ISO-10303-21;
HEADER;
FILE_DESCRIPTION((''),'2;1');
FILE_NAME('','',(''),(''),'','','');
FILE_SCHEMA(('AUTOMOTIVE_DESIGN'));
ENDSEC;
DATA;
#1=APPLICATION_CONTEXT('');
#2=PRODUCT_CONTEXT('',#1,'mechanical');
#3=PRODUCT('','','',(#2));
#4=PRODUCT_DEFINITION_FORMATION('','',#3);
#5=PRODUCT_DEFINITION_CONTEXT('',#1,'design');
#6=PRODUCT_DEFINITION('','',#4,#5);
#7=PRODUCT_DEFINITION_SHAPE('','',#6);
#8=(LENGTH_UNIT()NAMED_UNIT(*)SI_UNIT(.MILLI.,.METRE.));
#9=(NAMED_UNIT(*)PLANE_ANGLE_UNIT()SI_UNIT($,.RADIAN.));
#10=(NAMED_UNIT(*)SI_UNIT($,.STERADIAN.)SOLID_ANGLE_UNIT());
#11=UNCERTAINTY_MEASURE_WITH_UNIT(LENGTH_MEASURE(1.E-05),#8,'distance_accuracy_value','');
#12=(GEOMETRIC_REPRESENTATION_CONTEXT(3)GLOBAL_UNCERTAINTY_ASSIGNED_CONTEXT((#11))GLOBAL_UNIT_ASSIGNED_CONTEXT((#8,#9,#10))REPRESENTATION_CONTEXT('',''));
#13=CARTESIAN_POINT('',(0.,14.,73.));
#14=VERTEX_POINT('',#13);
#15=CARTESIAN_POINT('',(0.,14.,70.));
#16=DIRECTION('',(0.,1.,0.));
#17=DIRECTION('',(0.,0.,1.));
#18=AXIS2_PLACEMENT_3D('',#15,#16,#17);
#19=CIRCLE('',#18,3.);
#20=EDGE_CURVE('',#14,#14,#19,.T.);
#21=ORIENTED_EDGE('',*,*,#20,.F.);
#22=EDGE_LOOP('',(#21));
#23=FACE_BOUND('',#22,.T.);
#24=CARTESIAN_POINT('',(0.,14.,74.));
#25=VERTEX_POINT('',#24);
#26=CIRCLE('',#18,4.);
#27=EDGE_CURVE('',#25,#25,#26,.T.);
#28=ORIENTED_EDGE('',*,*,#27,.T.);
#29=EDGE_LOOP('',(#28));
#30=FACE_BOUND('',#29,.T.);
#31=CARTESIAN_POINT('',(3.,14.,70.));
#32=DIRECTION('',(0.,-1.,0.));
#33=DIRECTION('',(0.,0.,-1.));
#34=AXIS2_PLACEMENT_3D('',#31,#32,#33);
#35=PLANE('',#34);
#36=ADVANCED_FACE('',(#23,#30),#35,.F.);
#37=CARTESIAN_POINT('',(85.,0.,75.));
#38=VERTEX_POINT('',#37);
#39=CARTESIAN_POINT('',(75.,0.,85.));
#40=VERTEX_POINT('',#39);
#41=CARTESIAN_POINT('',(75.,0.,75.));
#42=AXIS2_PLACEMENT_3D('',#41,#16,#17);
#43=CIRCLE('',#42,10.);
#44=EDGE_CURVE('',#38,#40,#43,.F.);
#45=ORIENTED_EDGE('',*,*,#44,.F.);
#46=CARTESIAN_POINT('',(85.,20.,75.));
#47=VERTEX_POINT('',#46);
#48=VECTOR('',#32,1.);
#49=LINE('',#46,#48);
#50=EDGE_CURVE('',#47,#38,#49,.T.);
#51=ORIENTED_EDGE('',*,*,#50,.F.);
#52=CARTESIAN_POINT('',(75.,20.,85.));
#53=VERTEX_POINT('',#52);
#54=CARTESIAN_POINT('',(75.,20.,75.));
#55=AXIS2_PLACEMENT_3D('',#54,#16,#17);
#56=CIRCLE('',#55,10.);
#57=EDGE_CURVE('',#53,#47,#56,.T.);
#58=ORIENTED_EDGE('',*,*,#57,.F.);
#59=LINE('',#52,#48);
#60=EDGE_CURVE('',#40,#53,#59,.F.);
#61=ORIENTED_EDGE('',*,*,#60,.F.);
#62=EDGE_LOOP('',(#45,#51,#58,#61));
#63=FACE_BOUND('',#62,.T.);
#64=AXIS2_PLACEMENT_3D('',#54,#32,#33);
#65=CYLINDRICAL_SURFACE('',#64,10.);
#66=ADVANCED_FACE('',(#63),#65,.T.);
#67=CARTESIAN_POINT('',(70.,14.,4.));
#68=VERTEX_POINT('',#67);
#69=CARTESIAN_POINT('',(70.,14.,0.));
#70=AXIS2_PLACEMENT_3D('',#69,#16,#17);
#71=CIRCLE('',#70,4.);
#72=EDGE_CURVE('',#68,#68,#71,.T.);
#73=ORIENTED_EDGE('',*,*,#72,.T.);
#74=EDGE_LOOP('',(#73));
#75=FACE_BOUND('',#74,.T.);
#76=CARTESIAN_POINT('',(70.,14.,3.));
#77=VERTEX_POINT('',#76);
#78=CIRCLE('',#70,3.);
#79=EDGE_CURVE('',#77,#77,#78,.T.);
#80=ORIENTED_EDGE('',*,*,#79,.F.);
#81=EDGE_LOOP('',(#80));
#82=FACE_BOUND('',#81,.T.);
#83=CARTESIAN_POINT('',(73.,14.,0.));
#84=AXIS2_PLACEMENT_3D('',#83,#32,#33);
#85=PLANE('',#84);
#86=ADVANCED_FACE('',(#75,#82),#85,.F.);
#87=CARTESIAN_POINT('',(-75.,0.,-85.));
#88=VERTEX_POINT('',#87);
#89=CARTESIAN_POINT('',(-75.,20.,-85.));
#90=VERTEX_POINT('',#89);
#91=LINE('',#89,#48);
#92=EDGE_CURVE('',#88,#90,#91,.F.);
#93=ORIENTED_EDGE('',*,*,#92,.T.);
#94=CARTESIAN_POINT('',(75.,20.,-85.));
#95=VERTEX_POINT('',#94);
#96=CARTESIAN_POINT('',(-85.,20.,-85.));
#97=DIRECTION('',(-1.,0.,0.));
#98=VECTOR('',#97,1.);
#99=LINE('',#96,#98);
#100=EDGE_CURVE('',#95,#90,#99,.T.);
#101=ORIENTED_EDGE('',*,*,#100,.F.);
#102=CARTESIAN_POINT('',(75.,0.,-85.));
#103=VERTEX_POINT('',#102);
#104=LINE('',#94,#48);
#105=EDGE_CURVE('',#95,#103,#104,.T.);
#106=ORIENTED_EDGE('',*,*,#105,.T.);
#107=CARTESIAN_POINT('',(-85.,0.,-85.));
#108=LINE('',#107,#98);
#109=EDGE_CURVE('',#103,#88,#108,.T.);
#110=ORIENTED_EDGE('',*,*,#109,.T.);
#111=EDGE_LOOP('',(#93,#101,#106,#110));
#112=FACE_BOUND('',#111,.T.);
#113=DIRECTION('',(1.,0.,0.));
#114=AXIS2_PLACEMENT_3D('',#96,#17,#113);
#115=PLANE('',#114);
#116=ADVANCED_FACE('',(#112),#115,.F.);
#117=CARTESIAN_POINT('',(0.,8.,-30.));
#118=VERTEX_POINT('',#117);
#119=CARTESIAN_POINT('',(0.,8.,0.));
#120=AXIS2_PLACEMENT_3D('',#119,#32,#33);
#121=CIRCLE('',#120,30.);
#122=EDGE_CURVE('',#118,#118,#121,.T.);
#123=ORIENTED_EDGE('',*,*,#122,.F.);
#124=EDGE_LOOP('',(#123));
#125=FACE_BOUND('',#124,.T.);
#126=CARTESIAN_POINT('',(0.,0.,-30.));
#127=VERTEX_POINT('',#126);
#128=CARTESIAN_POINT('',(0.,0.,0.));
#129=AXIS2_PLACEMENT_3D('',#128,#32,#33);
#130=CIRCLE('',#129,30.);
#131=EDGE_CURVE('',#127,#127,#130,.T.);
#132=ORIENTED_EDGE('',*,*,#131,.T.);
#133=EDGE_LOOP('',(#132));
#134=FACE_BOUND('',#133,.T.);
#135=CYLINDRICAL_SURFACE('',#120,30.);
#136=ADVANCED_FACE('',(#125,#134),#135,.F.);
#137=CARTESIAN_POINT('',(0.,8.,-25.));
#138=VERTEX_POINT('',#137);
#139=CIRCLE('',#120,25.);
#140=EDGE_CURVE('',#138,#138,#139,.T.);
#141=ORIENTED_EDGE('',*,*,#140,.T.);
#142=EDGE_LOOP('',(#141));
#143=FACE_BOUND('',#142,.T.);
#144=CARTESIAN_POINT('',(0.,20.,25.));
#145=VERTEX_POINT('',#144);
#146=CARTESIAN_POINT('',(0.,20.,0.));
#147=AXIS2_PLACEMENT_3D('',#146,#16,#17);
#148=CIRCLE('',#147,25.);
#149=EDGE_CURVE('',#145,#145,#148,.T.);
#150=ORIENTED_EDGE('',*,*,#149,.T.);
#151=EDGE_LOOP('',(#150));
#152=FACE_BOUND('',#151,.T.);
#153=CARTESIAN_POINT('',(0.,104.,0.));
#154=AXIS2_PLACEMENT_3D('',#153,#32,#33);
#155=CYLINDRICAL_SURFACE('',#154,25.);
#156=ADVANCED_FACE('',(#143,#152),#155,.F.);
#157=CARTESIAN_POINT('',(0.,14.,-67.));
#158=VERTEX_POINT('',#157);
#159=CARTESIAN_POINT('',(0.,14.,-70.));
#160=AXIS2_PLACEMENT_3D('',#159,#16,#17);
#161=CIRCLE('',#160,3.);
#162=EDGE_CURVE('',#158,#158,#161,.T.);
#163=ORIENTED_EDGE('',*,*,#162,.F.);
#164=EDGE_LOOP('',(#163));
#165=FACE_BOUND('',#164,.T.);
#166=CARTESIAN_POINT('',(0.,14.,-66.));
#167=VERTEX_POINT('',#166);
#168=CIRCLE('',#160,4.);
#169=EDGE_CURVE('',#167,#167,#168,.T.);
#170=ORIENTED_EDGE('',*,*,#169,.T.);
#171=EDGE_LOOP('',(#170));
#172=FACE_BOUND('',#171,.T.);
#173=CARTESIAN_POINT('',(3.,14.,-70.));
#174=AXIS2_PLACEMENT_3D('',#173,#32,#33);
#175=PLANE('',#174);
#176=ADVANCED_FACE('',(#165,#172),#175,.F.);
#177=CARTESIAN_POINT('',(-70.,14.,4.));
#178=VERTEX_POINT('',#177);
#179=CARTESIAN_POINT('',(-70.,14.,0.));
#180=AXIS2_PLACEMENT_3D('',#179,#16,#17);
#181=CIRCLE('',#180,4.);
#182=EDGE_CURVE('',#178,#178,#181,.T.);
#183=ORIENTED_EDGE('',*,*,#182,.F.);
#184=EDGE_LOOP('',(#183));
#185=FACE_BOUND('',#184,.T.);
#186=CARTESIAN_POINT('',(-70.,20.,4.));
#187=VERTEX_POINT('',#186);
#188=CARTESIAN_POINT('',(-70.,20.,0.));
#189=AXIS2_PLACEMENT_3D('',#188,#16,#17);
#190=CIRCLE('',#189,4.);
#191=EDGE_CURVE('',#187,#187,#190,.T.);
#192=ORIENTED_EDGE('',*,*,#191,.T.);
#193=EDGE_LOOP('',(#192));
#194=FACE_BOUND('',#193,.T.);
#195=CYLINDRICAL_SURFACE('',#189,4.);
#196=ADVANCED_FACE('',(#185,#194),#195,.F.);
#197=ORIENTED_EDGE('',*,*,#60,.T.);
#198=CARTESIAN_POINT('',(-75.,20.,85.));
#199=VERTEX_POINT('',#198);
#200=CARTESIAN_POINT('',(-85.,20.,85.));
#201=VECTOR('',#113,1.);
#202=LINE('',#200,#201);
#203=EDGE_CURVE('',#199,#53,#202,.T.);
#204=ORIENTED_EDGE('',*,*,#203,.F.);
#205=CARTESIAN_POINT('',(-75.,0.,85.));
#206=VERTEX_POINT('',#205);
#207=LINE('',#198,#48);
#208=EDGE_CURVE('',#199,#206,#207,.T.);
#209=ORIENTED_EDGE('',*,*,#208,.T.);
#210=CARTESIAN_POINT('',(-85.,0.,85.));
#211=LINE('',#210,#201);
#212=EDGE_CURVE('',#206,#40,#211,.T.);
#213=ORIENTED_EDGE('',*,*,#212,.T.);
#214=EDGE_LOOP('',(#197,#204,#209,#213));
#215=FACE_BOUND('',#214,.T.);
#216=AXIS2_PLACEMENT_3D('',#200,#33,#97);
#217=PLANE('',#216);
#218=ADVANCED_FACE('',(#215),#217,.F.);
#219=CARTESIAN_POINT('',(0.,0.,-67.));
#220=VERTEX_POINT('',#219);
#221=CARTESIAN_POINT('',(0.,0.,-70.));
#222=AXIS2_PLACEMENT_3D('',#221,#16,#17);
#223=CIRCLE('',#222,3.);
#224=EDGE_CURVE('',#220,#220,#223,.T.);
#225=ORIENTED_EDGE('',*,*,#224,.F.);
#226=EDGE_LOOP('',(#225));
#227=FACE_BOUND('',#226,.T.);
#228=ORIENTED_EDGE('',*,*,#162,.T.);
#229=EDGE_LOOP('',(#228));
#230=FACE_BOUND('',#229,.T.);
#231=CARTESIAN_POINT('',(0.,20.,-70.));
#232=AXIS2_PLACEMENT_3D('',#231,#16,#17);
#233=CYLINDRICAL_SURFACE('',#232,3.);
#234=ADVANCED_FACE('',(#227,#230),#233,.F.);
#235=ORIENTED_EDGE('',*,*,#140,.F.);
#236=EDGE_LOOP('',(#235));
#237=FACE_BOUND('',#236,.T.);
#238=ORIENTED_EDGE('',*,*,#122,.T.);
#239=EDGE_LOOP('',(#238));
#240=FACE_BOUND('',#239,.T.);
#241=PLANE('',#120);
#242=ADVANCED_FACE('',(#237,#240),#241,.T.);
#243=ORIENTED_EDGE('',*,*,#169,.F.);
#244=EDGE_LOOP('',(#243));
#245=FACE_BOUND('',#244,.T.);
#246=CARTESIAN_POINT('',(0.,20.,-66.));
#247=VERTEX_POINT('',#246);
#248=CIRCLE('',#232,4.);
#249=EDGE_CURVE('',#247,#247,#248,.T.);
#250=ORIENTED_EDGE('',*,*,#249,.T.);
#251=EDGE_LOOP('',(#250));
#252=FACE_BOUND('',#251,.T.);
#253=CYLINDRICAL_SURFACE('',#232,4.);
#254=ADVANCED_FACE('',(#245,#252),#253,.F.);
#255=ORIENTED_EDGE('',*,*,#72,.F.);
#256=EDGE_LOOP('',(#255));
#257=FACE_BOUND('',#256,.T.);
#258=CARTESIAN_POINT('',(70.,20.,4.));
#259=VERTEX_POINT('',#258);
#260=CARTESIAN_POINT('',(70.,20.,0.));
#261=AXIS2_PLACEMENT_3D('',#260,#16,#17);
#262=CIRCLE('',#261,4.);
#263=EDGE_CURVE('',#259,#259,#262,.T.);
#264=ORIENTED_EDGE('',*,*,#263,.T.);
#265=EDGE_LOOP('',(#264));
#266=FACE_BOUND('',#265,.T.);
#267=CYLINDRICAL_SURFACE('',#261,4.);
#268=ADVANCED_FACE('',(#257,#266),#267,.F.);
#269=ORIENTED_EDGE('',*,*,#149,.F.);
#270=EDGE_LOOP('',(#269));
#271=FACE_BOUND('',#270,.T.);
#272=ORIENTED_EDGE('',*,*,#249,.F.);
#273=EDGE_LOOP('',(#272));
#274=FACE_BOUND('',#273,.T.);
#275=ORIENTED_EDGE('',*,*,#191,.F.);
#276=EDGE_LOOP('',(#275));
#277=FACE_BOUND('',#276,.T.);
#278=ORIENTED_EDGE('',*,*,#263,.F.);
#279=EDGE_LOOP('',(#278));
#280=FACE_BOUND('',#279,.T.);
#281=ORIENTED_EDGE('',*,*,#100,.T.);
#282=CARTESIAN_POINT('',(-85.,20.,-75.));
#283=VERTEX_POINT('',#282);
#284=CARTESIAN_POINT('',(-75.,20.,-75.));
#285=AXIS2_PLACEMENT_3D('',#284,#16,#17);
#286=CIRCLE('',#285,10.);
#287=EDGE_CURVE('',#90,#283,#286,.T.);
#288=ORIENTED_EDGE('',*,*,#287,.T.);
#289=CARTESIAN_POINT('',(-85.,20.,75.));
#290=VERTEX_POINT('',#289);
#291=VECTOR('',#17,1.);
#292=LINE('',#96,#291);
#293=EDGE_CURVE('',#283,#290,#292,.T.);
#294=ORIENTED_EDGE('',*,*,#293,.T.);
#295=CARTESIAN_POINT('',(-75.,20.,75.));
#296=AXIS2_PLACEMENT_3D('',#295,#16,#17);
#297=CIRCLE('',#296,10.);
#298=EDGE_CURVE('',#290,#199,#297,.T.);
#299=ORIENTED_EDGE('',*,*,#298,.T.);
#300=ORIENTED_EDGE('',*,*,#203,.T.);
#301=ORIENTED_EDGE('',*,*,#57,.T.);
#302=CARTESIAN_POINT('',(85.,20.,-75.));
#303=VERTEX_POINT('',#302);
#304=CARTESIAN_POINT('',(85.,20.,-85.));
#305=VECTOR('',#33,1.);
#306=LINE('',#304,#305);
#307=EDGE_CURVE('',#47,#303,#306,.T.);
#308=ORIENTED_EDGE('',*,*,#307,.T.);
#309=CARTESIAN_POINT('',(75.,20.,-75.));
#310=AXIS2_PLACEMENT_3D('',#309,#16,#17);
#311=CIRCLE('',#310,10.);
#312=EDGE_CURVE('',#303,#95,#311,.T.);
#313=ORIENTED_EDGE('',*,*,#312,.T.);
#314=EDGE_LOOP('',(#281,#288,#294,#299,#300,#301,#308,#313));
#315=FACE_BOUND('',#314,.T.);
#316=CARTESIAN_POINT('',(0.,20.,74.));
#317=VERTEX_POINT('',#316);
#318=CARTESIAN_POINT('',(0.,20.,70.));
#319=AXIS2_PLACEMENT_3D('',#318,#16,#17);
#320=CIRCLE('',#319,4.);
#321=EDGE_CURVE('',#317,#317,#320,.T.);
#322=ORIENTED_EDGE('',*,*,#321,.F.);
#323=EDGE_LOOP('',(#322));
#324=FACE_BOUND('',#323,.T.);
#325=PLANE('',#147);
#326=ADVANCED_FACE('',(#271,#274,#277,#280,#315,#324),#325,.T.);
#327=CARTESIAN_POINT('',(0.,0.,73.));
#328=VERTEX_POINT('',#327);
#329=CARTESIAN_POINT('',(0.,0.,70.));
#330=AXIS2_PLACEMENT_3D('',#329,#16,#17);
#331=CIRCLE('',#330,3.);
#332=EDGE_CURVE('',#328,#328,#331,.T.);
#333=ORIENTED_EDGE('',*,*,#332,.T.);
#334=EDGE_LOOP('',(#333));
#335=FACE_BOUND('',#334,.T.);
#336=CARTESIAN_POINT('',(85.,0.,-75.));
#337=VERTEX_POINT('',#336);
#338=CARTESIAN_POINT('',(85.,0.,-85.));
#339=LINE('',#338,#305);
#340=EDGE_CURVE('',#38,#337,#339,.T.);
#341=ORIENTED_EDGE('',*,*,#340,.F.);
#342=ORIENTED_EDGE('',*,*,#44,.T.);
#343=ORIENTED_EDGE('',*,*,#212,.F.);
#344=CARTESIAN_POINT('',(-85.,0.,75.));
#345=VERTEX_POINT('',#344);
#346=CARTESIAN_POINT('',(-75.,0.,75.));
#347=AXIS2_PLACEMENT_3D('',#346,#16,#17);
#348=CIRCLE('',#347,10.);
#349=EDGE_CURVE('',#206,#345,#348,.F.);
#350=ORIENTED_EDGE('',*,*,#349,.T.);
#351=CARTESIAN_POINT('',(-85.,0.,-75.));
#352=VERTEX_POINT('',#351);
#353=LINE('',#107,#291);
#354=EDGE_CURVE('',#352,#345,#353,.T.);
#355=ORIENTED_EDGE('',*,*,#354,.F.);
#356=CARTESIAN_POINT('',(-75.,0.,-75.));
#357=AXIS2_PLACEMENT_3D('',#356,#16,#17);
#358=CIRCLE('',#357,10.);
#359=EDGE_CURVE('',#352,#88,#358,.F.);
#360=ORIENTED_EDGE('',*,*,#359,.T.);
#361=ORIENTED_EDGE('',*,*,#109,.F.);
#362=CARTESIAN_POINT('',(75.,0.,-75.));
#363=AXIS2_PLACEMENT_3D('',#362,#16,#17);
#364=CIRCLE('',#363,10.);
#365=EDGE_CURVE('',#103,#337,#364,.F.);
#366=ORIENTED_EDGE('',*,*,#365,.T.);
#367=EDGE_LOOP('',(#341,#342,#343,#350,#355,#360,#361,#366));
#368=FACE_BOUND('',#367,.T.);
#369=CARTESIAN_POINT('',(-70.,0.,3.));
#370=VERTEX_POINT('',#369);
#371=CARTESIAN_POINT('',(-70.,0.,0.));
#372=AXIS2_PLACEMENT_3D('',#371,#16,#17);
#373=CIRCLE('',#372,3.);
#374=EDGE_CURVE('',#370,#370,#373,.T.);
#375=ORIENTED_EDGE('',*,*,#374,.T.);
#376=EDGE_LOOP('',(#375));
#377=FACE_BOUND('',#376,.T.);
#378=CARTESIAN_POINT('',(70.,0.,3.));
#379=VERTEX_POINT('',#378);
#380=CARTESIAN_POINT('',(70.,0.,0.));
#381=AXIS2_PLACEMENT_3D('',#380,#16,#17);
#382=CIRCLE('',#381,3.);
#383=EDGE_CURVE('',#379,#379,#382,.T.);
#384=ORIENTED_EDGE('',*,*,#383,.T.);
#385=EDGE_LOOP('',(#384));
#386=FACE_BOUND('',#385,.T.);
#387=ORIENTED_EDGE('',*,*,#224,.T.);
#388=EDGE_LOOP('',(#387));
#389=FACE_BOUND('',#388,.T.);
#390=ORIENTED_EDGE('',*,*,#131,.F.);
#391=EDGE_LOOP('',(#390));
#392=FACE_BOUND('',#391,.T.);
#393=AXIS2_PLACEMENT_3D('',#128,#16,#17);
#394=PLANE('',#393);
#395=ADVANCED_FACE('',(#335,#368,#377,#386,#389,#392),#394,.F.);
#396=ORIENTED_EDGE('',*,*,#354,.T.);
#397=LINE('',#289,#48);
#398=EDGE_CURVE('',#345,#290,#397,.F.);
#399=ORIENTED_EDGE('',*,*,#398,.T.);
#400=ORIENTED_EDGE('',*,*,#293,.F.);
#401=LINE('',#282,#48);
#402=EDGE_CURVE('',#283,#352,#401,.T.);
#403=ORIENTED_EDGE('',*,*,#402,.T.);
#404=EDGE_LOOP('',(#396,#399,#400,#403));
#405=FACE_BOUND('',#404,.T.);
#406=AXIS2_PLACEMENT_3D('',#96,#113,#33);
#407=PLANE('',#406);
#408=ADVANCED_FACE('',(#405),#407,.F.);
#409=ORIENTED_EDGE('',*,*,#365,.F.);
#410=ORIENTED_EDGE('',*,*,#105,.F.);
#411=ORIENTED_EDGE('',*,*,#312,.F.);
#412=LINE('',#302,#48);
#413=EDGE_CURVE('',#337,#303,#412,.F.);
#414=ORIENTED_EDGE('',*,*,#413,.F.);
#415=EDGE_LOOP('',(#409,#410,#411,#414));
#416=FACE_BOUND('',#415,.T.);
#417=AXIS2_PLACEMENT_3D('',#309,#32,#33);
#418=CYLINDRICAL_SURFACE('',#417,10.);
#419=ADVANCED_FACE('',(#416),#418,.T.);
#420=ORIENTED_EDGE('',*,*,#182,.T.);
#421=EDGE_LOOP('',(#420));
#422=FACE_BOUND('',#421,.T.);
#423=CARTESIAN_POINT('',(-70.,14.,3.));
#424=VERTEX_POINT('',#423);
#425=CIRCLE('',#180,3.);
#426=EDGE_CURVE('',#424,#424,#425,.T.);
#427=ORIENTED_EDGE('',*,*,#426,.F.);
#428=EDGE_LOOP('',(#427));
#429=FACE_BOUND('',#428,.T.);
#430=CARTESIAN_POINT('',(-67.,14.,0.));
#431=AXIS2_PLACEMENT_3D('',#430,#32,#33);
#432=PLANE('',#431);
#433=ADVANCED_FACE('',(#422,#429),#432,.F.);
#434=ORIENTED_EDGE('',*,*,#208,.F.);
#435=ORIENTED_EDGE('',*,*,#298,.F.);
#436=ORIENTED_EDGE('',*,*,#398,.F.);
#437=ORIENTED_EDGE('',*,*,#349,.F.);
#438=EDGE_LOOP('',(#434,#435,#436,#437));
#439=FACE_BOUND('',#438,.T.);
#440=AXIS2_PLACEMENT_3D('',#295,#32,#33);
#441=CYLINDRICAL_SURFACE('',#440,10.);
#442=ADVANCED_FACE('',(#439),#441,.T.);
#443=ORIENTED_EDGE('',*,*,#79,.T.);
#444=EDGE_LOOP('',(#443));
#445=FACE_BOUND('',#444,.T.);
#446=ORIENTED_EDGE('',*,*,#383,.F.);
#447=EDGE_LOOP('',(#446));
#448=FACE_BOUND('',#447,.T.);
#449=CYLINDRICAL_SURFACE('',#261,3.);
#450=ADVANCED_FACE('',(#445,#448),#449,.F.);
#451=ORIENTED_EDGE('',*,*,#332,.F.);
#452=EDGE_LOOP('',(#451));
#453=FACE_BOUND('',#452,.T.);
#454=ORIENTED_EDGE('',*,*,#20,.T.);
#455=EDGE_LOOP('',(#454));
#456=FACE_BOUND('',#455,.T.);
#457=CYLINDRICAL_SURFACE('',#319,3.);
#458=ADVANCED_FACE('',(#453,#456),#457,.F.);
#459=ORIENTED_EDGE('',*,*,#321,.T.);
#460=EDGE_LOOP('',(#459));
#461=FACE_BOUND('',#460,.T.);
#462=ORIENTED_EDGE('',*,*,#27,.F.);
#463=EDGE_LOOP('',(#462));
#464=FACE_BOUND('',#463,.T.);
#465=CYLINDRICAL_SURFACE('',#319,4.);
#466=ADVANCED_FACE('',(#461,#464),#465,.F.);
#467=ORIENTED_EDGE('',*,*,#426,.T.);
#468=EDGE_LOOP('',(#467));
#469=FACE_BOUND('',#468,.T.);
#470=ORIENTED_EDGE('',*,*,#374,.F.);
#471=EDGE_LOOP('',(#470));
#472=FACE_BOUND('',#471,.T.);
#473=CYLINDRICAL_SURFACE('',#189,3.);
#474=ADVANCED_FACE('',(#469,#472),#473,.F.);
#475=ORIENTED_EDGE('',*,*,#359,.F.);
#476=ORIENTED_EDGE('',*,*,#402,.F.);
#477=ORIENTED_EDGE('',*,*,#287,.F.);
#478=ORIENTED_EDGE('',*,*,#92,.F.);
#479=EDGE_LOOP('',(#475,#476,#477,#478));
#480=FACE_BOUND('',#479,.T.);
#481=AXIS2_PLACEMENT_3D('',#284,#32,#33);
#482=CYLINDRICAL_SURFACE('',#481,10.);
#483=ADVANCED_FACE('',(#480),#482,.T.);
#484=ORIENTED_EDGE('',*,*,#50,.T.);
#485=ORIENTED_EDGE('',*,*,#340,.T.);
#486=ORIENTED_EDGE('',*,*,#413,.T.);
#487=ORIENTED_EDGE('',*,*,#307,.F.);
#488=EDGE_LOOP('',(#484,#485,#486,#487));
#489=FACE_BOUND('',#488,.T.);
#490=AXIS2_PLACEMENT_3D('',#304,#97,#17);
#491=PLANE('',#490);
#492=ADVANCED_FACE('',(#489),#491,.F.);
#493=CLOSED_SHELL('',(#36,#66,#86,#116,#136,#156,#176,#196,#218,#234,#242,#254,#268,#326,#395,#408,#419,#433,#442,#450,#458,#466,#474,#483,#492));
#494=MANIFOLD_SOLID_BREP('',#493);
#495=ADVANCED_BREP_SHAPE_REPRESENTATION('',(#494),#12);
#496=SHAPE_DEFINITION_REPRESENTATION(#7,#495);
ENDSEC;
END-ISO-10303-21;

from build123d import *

# Parameters (mm, degrees)
SKETCH2_W                               = 170
SKETCH2_H                               = 170
BOSS_EXTRUDE1_DEPTH                     = 20
FILLET1_R                               = 10
FILLET2_R                               = 10
FILLET3_R                               = 10
FILLET4_R                               = 10
SKETCH11_R                              = 30
CUT_EXTRUDE3_DEPTH                      = 8
SKETCH16_R                              = 25
CUT_EXTRUDE4_DEPTH                      = 96
CBORE_FOR_M5_HEX_HEAD_BOLT4_D           = 6
CBORE_FOR_M5_HEX_HEAD_BOLT4_CBORE_D     = 8
CBORE_FOR_M5_HEX_HEAD_BOLT4_CBORE_DEPTH = 6


with BuildPart() as part:
    # Sketch2 → Boss-Extrude1 (new body)
    with BuildSketch(Plane(origin=(0, 0, 0), x_dir=(1, 0, 0), z_dir=(0, 1, 0))):
        Rectangle(SKETCH2_W, SKETCH2_H)
    extrude(amount=BOSS_EXTRUDE1_DEPTH)

    # Fillet1
    fillet1_edges = [part.edges().sort_by_distance(p)[0] for p in [
        (85, 10, 85),
    ]]
    fillet(fillet1_edges, radius=FILLET1_R)

    # Fillet2
    fillet2_edges = [part.edges().sort_by_distance(p)[0] for p in [
        (85, 10, -85),
    ]]
    fillet(fillet2_edges, radius=FILLET2_R)

    # Fillet3
    fillet3_edges = [part.edges().sort_by_distance(p)[0] for p in [
        (-85, 10, -85),
    ]]
    fillet(fillet3_edges, radius=FILLET3_R)

    # Fillet4
    fillet4_edges = [part.edges().sort_by_distance(p)[0] for p in [
        (-85, 10, 85),
    ]]
    fillet(fillet4_edges, radius=FILLET4_R)

    # Sketch11 → Cut-Extrude3 (cut)
    with BuildSketch(Plane.XZ):
        Circle(SKETCH11_R)
    extrude(amount=-CUT_EXTRUDE3_DEPTH, mode=Mode.SUBTRACT)

    # Sketch16 → Cut-Extrude4 (cut)
    with BuildSketch(Plane.XZ.offset(-8)):
        Circle(SKETCH16_R)
    extrude(amount=-CUT_EXTRUDE4_DEPTH, mode=Mode.SUBTRACT)

    # CBORE for M5 Hex Head Bolt4 (through all)
    with Locations(Plane(origin=(0, 20, 0), x_dir=(1, 0, 0), z_dir=(0, 1, 0))):
        with Locations((0, 70), (0, -70), (70, 0), (-70, 0)):
            CounterBoreHole(CBORE_FOR_M5_HEX_HEAD_BOLT4_D / 2, CBORE_FOR_M5_HEX_HEAD_BOLT4_CBORE_D / 2, CBORE_FOR_M5_HEX_HEAD_BOLT4_CBORE_DEPTH)


solid = part.part
